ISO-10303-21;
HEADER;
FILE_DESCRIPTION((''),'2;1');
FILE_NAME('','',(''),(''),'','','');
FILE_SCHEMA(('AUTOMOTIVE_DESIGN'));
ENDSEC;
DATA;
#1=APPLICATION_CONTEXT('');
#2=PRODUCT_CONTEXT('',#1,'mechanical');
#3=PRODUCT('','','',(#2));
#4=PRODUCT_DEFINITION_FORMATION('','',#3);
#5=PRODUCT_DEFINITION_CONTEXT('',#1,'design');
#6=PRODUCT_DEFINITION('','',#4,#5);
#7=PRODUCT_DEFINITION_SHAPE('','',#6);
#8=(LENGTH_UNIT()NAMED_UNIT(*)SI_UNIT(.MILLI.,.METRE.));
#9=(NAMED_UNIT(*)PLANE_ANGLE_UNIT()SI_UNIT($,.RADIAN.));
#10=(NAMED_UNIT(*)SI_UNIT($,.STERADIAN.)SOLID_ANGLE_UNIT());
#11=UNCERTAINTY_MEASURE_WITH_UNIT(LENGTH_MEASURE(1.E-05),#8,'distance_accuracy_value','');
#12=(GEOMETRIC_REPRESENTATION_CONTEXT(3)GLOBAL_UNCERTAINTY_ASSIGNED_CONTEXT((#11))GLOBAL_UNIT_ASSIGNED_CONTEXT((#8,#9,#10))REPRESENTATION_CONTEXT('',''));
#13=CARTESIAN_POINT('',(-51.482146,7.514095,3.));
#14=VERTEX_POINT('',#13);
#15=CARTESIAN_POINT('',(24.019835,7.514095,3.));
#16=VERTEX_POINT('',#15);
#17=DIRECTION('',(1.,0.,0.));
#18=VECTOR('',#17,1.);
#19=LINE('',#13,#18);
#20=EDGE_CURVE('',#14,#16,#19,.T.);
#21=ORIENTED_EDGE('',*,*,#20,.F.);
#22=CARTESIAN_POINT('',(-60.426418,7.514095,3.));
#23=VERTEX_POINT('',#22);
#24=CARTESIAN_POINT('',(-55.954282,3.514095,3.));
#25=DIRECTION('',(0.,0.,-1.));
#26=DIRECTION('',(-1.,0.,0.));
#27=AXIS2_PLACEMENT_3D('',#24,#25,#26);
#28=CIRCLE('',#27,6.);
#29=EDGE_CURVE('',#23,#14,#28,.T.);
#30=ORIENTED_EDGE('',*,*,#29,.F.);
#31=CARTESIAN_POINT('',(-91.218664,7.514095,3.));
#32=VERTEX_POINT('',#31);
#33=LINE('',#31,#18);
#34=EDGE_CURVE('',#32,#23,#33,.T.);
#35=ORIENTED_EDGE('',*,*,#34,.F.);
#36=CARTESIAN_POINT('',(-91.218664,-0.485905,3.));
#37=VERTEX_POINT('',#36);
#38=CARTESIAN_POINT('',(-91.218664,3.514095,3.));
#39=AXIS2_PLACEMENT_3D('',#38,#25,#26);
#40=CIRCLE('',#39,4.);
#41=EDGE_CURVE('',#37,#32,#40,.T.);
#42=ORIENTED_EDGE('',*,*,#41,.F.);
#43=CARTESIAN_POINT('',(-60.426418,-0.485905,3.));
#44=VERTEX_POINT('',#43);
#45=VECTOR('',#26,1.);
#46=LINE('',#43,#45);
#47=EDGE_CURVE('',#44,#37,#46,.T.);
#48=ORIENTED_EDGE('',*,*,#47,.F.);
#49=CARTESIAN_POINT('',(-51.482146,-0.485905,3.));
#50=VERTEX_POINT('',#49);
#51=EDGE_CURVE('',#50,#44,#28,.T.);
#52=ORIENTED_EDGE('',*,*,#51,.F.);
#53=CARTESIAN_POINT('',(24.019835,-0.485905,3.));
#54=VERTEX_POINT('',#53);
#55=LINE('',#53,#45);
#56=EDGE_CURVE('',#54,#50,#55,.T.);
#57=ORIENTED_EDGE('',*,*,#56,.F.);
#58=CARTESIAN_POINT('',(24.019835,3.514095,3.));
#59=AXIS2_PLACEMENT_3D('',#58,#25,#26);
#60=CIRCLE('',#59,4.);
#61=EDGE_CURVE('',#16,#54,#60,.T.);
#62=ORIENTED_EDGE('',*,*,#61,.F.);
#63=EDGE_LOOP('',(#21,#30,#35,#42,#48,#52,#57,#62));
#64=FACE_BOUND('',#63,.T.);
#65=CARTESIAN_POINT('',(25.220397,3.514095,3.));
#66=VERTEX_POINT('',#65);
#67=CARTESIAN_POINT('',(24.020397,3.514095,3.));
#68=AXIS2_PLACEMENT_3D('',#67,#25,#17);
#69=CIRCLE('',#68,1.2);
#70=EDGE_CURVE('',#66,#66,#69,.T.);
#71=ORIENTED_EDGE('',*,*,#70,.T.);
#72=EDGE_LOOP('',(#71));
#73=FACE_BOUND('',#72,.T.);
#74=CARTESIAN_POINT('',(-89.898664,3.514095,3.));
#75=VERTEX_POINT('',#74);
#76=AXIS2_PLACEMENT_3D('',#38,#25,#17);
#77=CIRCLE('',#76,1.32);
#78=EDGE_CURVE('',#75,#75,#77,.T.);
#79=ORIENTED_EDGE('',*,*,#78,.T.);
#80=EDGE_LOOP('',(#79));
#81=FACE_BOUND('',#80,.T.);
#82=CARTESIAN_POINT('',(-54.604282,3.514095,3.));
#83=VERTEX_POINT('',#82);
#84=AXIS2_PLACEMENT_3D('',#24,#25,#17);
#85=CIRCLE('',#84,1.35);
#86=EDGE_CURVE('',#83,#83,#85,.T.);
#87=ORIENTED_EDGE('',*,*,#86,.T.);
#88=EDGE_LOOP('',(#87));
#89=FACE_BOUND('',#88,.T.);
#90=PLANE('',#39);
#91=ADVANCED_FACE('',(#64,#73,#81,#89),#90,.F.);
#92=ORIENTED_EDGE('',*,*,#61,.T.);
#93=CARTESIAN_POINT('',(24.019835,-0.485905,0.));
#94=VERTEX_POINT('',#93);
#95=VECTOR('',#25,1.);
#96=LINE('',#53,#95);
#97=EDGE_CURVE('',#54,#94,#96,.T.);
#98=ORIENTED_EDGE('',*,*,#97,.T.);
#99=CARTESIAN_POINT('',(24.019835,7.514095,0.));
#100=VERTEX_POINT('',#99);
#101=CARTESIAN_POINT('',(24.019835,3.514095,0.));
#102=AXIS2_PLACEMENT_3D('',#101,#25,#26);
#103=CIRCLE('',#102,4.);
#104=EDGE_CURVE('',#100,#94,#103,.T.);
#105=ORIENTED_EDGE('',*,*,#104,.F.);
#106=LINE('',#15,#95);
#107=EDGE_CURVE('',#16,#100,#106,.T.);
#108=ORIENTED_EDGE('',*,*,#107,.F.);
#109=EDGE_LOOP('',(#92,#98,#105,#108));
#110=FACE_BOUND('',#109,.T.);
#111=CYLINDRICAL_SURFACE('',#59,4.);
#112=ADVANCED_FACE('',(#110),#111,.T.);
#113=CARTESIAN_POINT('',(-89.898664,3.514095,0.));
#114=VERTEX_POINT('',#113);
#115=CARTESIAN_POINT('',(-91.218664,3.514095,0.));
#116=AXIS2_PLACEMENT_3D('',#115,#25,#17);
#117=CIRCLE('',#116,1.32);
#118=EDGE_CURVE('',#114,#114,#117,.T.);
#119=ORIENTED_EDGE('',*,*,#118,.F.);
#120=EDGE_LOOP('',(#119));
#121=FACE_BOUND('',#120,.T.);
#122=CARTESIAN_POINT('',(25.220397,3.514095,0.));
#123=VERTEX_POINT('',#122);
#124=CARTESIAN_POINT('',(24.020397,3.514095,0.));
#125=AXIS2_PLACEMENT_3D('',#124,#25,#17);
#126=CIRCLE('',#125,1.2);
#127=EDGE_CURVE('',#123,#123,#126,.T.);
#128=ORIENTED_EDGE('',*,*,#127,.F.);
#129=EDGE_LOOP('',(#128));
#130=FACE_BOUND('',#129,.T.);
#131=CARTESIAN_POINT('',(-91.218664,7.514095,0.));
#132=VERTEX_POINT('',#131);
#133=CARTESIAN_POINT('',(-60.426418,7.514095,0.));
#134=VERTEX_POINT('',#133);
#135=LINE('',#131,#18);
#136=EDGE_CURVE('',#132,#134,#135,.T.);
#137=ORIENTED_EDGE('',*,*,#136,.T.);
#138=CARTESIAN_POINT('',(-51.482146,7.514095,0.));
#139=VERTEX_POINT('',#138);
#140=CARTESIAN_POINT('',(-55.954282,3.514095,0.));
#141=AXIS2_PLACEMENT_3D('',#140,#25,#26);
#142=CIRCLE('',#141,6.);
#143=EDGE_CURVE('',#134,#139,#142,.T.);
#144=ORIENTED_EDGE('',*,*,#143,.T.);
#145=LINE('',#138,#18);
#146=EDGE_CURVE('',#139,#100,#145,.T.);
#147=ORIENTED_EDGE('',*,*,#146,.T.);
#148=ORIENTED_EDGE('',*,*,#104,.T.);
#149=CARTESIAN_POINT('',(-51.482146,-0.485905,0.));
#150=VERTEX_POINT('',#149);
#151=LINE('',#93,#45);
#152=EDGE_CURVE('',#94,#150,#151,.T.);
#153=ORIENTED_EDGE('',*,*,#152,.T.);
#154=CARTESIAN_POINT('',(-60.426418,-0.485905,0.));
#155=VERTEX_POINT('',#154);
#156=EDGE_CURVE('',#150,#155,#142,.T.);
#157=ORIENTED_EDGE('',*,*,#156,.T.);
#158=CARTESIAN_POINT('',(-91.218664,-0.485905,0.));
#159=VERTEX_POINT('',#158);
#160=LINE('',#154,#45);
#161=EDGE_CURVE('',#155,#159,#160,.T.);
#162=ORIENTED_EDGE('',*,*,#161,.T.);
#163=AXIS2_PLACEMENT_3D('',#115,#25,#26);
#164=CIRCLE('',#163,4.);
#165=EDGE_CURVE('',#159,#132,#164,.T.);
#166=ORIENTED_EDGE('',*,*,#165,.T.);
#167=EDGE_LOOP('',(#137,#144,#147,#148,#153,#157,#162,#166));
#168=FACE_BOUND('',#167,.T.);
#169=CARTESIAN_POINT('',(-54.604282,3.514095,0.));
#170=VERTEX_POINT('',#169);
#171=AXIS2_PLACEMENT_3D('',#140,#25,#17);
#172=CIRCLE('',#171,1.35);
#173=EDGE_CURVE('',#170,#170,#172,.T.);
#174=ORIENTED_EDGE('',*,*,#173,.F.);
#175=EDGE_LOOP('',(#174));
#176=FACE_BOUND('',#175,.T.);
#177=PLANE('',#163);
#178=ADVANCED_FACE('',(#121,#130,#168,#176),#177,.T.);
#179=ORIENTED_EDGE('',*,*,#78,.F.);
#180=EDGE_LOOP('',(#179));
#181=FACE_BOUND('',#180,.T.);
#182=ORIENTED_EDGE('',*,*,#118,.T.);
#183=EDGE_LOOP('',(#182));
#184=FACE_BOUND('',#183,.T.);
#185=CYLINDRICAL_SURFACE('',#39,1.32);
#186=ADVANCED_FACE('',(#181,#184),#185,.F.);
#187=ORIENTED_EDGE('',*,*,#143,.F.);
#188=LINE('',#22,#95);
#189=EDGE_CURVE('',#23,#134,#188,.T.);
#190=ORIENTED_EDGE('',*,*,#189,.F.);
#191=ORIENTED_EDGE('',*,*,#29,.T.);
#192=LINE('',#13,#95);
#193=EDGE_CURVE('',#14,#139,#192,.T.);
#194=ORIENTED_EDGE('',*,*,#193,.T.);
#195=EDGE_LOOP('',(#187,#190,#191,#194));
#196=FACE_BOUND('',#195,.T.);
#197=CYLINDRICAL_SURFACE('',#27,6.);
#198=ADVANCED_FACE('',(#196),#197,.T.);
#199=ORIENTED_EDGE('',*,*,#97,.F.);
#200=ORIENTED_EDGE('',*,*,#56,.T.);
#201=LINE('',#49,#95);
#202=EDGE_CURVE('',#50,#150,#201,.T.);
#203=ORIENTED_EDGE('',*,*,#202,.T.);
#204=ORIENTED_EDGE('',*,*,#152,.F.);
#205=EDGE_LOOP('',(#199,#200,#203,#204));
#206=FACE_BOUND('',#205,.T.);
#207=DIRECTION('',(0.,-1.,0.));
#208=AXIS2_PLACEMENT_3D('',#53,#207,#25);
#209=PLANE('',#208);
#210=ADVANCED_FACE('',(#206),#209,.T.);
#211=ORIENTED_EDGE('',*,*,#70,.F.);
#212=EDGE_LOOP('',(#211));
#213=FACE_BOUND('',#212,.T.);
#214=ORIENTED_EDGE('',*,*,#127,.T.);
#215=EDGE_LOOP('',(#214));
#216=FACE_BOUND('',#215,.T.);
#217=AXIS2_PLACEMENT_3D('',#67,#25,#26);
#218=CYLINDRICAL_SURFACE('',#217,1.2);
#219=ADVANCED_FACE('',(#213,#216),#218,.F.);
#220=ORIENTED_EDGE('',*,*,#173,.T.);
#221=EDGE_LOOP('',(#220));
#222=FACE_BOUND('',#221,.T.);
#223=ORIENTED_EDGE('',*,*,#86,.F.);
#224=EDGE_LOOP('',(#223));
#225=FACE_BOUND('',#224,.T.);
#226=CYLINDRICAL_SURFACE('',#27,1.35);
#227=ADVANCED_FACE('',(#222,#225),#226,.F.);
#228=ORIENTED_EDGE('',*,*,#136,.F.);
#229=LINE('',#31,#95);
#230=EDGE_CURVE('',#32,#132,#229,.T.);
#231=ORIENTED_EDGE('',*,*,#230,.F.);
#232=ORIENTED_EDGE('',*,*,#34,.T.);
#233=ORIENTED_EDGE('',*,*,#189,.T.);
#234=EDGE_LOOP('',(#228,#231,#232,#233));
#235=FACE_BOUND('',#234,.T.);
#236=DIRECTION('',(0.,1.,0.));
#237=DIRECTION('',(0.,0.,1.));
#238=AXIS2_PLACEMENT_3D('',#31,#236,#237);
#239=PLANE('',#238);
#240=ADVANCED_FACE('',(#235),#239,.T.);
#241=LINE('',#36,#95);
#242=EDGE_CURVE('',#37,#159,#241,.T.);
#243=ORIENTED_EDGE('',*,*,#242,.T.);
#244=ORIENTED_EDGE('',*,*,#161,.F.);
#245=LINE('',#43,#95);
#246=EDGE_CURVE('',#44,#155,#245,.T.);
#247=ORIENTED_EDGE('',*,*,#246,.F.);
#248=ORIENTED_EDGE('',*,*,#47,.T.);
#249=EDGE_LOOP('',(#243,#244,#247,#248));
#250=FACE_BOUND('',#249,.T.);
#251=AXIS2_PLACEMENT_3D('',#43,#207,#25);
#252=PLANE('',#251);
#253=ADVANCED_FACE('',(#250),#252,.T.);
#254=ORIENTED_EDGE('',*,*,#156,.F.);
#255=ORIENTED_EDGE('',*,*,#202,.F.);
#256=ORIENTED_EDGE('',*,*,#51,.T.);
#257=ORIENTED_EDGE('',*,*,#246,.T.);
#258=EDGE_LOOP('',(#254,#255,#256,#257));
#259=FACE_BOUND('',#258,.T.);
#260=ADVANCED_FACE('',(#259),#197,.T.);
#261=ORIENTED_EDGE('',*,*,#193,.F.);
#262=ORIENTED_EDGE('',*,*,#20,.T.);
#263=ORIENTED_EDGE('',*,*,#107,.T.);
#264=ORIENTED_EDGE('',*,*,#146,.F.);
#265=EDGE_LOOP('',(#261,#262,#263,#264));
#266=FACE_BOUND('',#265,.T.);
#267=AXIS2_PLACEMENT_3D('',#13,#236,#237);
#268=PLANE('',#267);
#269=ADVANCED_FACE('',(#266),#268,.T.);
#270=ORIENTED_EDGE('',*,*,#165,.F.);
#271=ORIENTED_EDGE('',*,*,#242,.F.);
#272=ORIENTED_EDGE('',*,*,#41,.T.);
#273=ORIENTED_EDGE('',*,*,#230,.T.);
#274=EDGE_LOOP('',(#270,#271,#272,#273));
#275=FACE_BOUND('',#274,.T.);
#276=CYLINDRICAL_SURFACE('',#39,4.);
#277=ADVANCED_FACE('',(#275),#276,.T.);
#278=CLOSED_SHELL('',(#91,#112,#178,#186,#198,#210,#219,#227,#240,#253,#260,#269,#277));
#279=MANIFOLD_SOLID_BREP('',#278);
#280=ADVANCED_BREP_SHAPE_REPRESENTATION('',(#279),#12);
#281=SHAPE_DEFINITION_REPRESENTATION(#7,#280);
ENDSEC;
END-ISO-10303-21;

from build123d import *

# Parameters (mm, degrees)
SKETCH_1_R      = 1.2
SKETCH_1_R_2    = 1.35
SKETCH_1_R_3    = 1.32
EXTRUDE_1_DEPTH = 3


with BuildPart() as part:
    # 草图1 → 凸台-拉伸1 (new body)
    with BuildSketch(Plane(origin=(0, 0, 0), x_dir=(-1, 0, 0), z_dir=(0, 0, -1))):
        with BuildLine():
            Line((91.218663814, 7.514094575), (60.426417561, 7.514094575))
            ThreePointArc((60.426417561, 7.514094575), (55.954281606, 9.514094575), (51.482145651, 7.514094575))
            Line((51.482145651, 7.514094575), (-24.019834979, 7.514094575))
            ThreePointArc((-24.019834979, 7.514094575), (-28.019834979, 3.514094575), (-24.019834979, -0.485905425))
            Line((-24.019834979, -0.485905425), (51.482145651, -0.485905425))
            ThreePointArc((51.482145651, -0.485905425), (55.954281606, -2.485905425), (60.426417561, -0.485905425))
            Line((60.426417561, -0.485905425), (91.218663814, -0.485905425))
            ThreePointArc((91.218663814, -0.485905425), (95.218663814, 3.514094575), (91.218663814, 7.514094575))
        make_face()
        with Locations(Location((-24.020396654, 3.514094575, 0), (0, 0, 180))):
            Circle(SKETCH_1_R, mode=Mode.SUBTRACT)
        with Locations(Location((55.954281606, 3.514094575, 0), (0, 0, 180))):
            Circle(SKETCH_1_R_2, mode=Mode.SUBTRACT)
        with Locations(Location((91.218663814, 3.514094575, 0), (0, 0, 180))):
            Circle(SKETCH_1_R_3, mode=Mode.SUBTRACT)
    extrude(amount=-EXTRUDE_1_DEPTH)


solid = part.part
